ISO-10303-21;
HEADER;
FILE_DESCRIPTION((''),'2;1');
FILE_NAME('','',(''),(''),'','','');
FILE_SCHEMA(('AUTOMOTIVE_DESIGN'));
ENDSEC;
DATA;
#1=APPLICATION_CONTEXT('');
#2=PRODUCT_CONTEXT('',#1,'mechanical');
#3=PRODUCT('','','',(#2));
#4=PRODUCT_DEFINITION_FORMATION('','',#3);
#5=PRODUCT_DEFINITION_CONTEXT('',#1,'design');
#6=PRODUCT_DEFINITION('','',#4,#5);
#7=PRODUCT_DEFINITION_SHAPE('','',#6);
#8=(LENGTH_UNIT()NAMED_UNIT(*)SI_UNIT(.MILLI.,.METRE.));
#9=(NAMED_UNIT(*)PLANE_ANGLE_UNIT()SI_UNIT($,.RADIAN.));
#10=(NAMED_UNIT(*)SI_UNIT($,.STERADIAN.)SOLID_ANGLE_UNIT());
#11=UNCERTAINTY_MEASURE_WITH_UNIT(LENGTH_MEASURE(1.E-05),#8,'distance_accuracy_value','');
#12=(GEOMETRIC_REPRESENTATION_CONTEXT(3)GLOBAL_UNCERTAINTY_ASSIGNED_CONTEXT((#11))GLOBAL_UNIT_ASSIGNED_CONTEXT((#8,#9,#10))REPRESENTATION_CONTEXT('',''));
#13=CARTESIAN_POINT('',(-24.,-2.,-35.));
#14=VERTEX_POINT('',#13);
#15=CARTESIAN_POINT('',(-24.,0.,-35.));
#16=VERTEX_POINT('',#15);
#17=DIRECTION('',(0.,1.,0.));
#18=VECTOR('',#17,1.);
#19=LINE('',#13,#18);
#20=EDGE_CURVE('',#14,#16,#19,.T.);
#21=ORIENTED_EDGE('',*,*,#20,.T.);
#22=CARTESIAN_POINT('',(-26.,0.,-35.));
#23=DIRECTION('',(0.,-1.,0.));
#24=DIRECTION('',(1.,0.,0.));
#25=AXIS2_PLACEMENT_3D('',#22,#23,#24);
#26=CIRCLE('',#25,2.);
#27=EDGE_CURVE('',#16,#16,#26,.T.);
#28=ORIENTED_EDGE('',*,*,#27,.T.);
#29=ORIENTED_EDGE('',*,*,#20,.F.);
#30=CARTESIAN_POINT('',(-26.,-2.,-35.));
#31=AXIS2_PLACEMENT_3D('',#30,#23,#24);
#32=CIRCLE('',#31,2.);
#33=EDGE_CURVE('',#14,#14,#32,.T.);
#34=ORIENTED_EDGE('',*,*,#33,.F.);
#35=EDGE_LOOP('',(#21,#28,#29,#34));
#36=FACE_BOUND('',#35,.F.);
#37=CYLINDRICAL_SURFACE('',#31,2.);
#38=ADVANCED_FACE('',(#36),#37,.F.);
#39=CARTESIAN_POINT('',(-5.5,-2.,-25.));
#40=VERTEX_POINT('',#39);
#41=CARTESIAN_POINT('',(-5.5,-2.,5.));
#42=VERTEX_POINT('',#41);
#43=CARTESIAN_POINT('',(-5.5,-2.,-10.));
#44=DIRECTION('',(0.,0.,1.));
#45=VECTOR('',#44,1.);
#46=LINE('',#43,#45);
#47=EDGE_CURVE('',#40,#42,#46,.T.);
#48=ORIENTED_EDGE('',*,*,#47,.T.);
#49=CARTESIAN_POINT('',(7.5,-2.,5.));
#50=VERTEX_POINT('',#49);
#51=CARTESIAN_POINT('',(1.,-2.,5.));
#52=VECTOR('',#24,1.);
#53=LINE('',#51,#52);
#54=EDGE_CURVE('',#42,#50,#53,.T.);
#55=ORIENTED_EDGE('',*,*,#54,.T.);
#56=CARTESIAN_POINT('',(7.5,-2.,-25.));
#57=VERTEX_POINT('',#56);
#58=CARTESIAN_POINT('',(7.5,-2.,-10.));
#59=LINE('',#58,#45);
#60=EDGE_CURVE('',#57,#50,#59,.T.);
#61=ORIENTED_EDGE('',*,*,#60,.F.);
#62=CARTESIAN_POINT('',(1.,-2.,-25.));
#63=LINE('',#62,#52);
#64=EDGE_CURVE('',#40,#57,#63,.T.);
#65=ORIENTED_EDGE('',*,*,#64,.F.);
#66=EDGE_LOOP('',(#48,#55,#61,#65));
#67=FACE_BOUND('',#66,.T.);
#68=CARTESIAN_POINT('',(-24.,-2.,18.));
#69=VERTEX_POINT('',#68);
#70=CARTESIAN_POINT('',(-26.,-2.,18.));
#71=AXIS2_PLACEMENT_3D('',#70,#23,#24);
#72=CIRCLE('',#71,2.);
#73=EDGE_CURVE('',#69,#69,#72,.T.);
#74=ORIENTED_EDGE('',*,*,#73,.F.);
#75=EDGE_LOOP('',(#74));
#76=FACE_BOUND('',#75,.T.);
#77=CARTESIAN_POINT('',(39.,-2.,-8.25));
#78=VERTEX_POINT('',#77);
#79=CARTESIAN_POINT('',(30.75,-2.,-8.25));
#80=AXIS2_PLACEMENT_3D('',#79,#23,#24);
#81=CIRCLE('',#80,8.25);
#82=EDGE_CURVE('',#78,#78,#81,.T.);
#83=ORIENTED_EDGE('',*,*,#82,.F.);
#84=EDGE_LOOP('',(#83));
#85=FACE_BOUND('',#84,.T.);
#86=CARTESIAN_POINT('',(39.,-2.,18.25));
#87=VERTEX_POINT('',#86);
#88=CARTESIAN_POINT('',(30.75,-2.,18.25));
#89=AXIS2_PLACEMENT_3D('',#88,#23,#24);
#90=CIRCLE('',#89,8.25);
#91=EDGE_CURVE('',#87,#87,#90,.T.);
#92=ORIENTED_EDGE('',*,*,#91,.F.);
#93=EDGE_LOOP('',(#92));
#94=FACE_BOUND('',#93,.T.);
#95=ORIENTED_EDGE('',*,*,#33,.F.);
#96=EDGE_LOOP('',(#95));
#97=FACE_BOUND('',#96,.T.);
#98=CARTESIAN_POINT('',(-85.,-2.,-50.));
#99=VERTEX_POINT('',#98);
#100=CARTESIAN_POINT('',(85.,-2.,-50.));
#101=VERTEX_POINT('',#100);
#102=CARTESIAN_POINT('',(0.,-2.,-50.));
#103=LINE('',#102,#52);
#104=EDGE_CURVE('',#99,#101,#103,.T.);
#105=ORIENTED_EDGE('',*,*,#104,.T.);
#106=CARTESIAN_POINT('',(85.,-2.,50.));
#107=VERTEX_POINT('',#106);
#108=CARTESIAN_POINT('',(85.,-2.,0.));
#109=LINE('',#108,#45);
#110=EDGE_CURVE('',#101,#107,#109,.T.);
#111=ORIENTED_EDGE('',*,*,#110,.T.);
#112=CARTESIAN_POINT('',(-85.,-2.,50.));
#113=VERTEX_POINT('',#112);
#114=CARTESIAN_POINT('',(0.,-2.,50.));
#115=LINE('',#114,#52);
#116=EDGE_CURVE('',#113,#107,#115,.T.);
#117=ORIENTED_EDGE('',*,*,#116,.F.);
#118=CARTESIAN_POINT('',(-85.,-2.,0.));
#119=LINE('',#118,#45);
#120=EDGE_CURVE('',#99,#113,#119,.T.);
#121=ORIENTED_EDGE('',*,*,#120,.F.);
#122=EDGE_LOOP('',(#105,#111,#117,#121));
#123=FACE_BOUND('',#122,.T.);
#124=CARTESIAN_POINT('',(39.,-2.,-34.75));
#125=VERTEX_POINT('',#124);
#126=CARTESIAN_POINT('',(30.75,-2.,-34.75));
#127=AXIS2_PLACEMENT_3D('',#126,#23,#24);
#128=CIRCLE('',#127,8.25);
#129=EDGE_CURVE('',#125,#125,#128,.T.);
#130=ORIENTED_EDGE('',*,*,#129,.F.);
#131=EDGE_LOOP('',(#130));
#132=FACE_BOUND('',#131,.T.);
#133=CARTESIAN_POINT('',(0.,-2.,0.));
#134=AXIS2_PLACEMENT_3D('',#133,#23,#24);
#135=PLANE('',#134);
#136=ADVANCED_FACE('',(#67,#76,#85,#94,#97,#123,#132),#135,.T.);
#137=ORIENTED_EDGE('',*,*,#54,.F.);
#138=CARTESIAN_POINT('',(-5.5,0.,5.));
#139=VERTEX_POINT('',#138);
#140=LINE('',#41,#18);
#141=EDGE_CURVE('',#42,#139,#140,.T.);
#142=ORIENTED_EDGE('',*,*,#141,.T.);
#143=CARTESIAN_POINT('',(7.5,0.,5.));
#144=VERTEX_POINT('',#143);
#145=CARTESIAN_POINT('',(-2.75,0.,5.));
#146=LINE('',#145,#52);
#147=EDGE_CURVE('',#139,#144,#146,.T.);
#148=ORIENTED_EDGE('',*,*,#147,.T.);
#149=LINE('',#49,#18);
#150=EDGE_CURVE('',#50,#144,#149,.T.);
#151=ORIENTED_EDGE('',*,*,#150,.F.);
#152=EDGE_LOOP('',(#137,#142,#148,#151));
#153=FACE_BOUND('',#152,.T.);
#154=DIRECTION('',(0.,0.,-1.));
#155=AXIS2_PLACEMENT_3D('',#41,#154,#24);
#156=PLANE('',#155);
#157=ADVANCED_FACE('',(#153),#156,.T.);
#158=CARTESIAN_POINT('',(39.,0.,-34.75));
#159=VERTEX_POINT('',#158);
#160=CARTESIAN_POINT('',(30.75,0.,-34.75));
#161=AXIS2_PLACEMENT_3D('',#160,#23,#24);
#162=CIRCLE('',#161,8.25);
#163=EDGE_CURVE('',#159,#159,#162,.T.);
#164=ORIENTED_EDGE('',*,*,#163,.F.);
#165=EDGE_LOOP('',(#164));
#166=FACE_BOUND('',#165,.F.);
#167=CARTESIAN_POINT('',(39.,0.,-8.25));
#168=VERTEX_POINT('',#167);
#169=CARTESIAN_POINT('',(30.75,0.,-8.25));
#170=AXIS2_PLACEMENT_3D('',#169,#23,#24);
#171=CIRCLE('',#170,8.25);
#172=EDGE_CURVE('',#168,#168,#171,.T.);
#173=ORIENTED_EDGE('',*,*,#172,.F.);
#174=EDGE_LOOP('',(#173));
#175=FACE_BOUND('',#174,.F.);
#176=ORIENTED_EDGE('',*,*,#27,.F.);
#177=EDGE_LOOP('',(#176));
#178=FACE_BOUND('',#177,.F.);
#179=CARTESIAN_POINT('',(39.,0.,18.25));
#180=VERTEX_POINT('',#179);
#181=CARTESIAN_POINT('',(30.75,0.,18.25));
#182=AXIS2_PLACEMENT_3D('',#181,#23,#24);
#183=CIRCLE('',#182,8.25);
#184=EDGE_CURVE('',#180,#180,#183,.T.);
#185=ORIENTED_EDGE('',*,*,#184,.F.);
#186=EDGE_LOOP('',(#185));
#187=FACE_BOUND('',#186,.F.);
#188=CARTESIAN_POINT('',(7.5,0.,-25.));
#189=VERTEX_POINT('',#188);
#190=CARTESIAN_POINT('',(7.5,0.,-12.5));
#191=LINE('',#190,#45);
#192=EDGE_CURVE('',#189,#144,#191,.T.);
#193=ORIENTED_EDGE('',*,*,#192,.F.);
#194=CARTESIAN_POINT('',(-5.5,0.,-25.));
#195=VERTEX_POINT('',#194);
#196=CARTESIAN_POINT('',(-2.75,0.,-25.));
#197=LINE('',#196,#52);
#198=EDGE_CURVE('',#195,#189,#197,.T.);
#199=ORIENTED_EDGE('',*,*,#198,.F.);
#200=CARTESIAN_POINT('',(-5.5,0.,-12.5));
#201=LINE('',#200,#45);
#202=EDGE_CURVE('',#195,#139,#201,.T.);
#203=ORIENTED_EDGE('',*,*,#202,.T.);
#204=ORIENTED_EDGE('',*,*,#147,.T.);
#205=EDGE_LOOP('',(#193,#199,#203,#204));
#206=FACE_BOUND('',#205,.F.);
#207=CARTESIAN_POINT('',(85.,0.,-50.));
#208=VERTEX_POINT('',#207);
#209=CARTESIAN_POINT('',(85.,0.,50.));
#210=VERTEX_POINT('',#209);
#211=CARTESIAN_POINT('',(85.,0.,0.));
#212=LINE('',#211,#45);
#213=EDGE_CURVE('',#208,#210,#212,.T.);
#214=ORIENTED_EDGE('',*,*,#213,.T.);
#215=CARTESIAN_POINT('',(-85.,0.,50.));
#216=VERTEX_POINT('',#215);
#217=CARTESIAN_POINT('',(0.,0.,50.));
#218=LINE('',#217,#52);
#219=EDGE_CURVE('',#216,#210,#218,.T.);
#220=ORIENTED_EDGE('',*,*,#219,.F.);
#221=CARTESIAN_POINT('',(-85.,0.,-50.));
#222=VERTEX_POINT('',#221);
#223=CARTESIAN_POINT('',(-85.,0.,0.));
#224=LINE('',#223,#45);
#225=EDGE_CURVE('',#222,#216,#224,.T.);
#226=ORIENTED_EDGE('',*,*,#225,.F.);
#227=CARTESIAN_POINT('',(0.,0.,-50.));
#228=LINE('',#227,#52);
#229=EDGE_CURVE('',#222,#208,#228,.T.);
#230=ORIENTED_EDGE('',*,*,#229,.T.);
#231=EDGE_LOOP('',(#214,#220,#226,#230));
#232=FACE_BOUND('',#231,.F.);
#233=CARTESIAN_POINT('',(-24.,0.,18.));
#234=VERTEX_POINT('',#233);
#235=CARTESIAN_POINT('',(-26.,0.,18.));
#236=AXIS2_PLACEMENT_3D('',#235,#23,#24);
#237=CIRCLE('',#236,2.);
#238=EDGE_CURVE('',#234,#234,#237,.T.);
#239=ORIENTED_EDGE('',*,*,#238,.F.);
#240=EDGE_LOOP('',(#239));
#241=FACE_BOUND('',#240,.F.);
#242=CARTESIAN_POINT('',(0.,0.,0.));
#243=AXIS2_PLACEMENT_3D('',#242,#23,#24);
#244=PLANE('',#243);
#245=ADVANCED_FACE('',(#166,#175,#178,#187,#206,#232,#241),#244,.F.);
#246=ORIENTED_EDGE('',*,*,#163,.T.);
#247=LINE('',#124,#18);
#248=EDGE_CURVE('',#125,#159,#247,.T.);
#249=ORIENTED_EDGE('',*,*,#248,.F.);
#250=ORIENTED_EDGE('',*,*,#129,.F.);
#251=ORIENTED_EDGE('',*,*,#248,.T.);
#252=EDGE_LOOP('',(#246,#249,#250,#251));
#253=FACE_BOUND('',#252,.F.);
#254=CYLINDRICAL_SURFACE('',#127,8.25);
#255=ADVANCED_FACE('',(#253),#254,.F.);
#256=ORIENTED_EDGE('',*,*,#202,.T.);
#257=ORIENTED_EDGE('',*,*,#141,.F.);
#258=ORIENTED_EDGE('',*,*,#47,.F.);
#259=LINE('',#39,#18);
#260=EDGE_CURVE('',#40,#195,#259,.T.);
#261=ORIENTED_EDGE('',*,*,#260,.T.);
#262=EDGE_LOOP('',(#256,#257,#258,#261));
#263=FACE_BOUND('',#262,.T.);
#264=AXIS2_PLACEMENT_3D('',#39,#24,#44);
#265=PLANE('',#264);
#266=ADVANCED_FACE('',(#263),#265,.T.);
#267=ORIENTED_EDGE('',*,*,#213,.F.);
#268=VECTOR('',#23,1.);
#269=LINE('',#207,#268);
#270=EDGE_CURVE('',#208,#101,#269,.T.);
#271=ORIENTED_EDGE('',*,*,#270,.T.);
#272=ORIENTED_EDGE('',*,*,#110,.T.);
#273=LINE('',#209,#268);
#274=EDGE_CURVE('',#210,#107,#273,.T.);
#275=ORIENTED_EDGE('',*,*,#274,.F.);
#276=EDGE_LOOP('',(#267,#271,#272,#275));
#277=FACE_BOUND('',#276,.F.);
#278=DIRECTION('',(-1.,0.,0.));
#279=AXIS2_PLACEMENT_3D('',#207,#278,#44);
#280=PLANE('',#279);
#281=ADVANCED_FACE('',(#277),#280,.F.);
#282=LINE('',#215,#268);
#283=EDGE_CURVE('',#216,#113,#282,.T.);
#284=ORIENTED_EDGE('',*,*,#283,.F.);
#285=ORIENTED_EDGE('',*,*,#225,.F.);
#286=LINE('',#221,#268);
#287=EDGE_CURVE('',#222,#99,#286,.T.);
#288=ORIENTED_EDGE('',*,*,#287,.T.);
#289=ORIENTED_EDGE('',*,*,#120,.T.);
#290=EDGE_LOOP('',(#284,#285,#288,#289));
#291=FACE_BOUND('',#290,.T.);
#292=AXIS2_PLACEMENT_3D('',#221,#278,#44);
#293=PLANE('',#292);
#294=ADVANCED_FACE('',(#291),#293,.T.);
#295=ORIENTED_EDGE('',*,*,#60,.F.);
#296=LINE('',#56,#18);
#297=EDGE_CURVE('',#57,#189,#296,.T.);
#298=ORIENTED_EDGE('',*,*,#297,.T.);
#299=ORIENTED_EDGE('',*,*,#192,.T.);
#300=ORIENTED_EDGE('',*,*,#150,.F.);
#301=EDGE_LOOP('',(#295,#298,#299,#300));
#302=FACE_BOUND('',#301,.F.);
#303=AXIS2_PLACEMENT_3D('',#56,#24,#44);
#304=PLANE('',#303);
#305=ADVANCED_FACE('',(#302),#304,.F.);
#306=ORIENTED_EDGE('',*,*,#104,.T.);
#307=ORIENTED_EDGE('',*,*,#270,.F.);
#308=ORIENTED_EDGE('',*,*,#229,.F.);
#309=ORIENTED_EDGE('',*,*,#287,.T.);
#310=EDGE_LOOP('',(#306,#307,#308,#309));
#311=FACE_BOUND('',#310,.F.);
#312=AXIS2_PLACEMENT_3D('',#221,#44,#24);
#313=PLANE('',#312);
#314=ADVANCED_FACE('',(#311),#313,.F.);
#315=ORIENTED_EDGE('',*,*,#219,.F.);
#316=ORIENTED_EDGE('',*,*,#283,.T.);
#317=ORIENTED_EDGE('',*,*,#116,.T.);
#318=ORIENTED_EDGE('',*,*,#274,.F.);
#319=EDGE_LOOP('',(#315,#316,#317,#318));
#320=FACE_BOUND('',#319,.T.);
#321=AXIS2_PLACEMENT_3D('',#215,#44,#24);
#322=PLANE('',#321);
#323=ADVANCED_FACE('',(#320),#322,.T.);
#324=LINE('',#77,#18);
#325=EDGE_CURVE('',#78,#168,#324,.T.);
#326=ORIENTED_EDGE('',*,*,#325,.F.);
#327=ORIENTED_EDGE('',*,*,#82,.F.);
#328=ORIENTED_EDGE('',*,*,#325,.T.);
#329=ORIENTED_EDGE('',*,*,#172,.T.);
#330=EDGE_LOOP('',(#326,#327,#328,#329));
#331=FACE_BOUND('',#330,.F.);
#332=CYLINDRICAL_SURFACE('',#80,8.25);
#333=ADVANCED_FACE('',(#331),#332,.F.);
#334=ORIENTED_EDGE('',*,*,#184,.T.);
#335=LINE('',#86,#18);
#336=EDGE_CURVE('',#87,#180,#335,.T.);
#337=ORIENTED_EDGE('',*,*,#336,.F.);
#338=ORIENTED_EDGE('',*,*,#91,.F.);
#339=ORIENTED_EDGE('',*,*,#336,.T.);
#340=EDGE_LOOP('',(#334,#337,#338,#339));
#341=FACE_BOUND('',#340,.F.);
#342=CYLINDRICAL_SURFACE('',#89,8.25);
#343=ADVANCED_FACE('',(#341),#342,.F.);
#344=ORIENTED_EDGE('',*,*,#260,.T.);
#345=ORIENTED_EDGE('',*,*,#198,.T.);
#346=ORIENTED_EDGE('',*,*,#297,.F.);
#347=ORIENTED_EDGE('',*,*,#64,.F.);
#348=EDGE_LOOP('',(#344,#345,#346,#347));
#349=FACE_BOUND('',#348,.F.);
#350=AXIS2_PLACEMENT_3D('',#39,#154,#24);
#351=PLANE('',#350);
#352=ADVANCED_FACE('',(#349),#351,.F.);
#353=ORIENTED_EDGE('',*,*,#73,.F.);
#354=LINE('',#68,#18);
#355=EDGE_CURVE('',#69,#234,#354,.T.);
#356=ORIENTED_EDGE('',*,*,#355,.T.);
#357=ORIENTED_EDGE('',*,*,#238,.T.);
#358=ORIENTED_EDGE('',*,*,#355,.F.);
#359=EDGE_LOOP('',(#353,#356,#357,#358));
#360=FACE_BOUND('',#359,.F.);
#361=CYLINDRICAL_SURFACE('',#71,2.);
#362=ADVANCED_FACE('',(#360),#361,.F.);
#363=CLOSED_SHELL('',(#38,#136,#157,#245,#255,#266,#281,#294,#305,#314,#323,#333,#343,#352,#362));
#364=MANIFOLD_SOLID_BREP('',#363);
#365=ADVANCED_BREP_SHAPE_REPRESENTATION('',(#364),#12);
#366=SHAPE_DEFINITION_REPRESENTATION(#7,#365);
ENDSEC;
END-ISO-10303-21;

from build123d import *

# Parameters (mm, degrees)
F0_W     = 170
F0_H     = 100
F1_DEPTH = 2
F2_R     = 8.25
F2_W     = 13
F2_H     = 30
F2_R_2   = 2
F3_DEPTH = 25


with BuildPart() as f1:
    # F0 (on Front) → F1 (new body)
    with BuildSketch(Plane.XZ):
        Rectangle(F0_W, F0_H)
    extrude(amount=F1_DEPTH)

    # F2 (on face) → F3 (cut)
    with BuildSketch(Plane.XZ.offset(2)):
        with Locations((30.75, -34.75)):
            Circle(F2_R)
        with Locations((30.75, -8.25)):
            Circle(F2_R)
        with Locations((30.75, 18.25)):
            Circle(F2_R)
        with Locations((1, -10)):
            Rectangle(F2_W, F2_H)
        with Locations((-26, -35)):
            Circle(F2_R_2)
        with Locations((-26, 18)):
            Circle(F2_R_2)
    extrude(amount=-F3_DEPTH, mode=Mode.SUBTRACT)


solid = f1.part
